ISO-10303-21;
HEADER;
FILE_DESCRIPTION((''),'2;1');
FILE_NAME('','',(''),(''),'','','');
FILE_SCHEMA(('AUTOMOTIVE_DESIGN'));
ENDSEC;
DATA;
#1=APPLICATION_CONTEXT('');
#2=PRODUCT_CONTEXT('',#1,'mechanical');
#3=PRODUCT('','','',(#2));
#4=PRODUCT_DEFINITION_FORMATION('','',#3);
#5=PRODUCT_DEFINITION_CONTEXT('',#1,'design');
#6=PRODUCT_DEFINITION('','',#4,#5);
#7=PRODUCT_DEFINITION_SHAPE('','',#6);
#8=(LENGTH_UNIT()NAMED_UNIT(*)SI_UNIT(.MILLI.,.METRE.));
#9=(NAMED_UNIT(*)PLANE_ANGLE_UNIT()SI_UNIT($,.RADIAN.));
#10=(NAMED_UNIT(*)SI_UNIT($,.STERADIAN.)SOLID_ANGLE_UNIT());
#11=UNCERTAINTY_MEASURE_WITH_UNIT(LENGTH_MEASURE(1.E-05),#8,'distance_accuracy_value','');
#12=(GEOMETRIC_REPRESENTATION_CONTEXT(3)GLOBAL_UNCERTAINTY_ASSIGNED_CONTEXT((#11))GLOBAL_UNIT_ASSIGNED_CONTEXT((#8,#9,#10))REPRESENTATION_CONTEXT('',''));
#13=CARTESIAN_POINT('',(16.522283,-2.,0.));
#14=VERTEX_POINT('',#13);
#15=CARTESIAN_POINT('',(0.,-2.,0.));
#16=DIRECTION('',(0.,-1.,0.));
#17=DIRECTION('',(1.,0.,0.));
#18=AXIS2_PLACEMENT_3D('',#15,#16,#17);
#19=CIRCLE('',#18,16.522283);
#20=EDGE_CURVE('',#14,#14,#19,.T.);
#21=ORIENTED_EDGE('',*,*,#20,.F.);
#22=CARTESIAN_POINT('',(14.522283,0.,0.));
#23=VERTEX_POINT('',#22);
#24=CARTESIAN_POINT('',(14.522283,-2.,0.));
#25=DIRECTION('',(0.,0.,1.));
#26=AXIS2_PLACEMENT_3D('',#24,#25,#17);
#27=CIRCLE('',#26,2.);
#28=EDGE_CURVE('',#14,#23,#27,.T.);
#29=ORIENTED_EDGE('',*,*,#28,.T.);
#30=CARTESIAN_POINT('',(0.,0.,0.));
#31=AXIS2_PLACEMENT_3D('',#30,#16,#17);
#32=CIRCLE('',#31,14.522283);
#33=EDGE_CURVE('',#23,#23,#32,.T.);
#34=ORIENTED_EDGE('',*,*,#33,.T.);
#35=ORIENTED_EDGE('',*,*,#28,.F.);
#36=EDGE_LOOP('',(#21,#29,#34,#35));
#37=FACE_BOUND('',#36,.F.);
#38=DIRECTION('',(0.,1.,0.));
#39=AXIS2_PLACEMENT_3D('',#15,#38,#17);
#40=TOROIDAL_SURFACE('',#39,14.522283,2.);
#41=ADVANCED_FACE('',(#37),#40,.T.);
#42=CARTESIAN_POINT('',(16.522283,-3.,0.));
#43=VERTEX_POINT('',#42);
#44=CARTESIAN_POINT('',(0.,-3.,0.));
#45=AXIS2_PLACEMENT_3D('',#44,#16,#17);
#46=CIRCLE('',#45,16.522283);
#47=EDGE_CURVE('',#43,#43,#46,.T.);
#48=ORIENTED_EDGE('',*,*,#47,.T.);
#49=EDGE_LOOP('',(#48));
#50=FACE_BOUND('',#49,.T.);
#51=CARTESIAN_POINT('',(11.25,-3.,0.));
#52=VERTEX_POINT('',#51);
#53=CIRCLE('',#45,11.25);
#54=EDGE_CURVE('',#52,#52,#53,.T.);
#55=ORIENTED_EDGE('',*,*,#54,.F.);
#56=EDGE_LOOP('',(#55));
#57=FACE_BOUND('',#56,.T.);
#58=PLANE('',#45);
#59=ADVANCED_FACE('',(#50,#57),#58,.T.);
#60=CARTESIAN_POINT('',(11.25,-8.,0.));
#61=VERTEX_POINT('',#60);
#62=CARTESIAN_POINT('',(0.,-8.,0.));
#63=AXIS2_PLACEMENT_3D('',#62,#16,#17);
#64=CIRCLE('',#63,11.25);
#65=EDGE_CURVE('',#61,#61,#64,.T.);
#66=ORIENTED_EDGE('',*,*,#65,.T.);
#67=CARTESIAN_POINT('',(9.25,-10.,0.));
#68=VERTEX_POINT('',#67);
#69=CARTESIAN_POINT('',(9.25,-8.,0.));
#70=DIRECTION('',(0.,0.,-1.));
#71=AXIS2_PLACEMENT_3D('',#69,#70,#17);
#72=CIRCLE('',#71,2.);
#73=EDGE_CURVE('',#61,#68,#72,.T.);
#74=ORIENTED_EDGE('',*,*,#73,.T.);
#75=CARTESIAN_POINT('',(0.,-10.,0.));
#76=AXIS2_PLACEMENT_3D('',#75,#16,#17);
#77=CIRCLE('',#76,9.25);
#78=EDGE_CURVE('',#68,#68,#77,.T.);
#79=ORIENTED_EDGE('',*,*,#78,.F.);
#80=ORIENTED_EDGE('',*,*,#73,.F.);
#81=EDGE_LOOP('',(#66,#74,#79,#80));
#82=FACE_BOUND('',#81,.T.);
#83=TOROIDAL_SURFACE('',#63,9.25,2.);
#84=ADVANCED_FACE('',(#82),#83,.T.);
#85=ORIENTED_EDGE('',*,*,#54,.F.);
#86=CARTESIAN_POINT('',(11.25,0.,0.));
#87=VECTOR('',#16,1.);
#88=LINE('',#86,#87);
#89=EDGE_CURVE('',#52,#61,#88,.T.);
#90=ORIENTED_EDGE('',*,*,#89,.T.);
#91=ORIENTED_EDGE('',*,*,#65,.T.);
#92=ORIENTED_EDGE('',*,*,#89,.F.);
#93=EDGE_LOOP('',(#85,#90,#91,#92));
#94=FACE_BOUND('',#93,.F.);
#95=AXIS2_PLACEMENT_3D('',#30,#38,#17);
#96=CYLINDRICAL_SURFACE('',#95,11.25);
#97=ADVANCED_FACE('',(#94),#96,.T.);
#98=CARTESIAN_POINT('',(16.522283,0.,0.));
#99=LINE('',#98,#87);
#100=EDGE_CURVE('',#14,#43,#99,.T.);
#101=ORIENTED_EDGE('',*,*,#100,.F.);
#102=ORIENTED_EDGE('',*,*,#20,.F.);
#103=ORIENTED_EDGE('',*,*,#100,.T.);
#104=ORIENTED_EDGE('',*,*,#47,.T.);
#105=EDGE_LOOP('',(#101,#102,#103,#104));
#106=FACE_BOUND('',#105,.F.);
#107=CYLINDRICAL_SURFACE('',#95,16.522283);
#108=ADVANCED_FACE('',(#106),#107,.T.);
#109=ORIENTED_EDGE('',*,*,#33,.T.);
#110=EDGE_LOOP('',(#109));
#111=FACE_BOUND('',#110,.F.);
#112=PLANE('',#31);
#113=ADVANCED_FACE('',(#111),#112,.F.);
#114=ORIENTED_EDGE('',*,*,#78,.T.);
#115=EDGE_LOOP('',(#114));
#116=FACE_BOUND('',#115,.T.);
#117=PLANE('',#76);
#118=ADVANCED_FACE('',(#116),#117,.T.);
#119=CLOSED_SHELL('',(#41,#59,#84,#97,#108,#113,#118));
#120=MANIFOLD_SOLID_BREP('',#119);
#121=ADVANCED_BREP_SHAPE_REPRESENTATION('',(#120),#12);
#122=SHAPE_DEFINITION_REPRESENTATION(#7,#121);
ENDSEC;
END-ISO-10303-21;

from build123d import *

# Parameters (mm, degrees)
F0_R     = 16.522283
F0_R_2   = 11.25
F1_DEPTH = 3
F2_DEPTH = 10
F3_R     = 2
F4_R     = 2


with BuildPart() as f1:
    # F0 (on Front) → F1 (new body)
    with BuildSketch(Plane.XZ):
        Circle(F0_R)
        Circle(F0_R_2, mode=Mode.SUBTRACT)
    extrude(amount=F1_DEPTH)

    # F0 (on Front) → F2 (join)
    with BuildSketch(Plane.XZ):
        Circle(F0_R_2)
    extrude(amount=F2_DEPTH)

    # F3
    f3_edges = [f1.edges().sort_by_distance(p)[0] for p in [
        (-16.522283, 0, 0),
    ]]
    fillet(f3_edges, radius=F3_R)

    # F4
    f4_edges = [f1.edges().sort_by_distance(p)[0] for p in [
        (-11.25, -10, 0),
    ]]
    fillet(f4_edges, radius=F4_R)


solid = f1.part
